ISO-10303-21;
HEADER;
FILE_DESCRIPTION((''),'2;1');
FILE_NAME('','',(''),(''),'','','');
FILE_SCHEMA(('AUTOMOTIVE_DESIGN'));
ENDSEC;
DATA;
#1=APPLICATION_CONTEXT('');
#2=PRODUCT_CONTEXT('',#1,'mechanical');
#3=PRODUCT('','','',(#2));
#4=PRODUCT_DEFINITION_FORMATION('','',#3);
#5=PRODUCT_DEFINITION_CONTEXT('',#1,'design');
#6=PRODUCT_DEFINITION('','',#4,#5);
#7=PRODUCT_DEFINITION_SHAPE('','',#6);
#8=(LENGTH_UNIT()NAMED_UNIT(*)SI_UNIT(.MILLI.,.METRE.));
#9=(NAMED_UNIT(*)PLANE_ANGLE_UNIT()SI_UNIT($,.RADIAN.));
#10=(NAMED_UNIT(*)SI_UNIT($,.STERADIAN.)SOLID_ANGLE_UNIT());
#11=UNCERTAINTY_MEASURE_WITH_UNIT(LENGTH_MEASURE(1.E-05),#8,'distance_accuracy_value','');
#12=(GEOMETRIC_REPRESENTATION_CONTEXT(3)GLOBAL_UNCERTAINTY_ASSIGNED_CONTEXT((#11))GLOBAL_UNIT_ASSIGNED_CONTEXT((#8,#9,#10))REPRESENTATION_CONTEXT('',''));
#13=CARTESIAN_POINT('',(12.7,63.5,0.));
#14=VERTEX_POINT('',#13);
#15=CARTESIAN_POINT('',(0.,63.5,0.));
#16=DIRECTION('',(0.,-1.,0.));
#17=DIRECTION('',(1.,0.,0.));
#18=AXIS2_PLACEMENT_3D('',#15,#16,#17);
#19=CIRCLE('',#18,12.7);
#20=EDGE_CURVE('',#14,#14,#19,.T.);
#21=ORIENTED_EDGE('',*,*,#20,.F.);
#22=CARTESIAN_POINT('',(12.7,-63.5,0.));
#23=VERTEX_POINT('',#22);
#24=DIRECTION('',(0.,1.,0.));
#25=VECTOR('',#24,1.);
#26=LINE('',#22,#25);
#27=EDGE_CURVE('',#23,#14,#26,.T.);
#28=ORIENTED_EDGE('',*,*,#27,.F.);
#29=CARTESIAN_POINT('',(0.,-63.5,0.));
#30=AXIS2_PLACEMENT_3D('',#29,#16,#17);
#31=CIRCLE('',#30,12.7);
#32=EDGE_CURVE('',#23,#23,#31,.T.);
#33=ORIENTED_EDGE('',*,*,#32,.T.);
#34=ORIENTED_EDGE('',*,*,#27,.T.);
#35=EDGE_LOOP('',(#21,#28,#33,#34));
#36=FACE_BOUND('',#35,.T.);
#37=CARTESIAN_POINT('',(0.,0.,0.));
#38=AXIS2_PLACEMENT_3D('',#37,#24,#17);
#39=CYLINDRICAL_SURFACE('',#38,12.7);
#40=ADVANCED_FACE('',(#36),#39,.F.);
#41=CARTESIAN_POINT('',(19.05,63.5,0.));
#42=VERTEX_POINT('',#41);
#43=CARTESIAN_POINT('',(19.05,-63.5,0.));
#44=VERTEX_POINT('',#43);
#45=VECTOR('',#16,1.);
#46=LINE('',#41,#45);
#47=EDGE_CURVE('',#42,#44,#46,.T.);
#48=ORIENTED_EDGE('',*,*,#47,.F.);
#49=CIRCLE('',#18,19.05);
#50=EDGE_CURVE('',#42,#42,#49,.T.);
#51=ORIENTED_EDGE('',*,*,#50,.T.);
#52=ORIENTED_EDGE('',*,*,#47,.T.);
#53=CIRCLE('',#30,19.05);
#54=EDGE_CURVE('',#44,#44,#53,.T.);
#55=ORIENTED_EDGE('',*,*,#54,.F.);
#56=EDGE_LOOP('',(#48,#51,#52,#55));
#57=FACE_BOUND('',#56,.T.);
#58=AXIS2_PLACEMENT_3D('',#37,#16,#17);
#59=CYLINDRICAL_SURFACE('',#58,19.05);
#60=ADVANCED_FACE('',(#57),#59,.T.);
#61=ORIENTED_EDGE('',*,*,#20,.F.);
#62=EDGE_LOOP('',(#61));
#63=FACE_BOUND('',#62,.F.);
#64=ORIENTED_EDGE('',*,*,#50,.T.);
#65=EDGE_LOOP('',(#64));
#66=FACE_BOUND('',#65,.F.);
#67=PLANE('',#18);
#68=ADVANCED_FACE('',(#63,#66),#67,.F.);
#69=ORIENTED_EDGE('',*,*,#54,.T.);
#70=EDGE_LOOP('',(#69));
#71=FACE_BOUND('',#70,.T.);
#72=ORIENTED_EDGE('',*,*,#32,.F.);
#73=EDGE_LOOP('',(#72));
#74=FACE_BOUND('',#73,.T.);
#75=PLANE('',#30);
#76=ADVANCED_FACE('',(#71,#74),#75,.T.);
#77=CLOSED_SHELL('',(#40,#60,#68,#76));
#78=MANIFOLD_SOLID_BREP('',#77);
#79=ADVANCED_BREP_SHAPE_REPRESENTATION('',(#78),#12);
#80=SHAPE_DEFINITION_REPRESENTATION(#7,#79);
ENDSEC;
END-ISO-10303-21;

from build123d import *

# Parameters (mm, degrees)
F0_R     = 19.05
F0_R_2   = 12.7
F1_DEPTH = 63.5


with BuildPart() as f1:
    # F0 (on Front) → F1 (new body, symmetric)
    with BuildSketch(Plane.XZ):
        Circle(F0_R)
        Circle(F0_R_2, mode=Mode.SUBTRACT)
    extrude(amount=F1_DEPTH, both=True)


solid = f1.part
